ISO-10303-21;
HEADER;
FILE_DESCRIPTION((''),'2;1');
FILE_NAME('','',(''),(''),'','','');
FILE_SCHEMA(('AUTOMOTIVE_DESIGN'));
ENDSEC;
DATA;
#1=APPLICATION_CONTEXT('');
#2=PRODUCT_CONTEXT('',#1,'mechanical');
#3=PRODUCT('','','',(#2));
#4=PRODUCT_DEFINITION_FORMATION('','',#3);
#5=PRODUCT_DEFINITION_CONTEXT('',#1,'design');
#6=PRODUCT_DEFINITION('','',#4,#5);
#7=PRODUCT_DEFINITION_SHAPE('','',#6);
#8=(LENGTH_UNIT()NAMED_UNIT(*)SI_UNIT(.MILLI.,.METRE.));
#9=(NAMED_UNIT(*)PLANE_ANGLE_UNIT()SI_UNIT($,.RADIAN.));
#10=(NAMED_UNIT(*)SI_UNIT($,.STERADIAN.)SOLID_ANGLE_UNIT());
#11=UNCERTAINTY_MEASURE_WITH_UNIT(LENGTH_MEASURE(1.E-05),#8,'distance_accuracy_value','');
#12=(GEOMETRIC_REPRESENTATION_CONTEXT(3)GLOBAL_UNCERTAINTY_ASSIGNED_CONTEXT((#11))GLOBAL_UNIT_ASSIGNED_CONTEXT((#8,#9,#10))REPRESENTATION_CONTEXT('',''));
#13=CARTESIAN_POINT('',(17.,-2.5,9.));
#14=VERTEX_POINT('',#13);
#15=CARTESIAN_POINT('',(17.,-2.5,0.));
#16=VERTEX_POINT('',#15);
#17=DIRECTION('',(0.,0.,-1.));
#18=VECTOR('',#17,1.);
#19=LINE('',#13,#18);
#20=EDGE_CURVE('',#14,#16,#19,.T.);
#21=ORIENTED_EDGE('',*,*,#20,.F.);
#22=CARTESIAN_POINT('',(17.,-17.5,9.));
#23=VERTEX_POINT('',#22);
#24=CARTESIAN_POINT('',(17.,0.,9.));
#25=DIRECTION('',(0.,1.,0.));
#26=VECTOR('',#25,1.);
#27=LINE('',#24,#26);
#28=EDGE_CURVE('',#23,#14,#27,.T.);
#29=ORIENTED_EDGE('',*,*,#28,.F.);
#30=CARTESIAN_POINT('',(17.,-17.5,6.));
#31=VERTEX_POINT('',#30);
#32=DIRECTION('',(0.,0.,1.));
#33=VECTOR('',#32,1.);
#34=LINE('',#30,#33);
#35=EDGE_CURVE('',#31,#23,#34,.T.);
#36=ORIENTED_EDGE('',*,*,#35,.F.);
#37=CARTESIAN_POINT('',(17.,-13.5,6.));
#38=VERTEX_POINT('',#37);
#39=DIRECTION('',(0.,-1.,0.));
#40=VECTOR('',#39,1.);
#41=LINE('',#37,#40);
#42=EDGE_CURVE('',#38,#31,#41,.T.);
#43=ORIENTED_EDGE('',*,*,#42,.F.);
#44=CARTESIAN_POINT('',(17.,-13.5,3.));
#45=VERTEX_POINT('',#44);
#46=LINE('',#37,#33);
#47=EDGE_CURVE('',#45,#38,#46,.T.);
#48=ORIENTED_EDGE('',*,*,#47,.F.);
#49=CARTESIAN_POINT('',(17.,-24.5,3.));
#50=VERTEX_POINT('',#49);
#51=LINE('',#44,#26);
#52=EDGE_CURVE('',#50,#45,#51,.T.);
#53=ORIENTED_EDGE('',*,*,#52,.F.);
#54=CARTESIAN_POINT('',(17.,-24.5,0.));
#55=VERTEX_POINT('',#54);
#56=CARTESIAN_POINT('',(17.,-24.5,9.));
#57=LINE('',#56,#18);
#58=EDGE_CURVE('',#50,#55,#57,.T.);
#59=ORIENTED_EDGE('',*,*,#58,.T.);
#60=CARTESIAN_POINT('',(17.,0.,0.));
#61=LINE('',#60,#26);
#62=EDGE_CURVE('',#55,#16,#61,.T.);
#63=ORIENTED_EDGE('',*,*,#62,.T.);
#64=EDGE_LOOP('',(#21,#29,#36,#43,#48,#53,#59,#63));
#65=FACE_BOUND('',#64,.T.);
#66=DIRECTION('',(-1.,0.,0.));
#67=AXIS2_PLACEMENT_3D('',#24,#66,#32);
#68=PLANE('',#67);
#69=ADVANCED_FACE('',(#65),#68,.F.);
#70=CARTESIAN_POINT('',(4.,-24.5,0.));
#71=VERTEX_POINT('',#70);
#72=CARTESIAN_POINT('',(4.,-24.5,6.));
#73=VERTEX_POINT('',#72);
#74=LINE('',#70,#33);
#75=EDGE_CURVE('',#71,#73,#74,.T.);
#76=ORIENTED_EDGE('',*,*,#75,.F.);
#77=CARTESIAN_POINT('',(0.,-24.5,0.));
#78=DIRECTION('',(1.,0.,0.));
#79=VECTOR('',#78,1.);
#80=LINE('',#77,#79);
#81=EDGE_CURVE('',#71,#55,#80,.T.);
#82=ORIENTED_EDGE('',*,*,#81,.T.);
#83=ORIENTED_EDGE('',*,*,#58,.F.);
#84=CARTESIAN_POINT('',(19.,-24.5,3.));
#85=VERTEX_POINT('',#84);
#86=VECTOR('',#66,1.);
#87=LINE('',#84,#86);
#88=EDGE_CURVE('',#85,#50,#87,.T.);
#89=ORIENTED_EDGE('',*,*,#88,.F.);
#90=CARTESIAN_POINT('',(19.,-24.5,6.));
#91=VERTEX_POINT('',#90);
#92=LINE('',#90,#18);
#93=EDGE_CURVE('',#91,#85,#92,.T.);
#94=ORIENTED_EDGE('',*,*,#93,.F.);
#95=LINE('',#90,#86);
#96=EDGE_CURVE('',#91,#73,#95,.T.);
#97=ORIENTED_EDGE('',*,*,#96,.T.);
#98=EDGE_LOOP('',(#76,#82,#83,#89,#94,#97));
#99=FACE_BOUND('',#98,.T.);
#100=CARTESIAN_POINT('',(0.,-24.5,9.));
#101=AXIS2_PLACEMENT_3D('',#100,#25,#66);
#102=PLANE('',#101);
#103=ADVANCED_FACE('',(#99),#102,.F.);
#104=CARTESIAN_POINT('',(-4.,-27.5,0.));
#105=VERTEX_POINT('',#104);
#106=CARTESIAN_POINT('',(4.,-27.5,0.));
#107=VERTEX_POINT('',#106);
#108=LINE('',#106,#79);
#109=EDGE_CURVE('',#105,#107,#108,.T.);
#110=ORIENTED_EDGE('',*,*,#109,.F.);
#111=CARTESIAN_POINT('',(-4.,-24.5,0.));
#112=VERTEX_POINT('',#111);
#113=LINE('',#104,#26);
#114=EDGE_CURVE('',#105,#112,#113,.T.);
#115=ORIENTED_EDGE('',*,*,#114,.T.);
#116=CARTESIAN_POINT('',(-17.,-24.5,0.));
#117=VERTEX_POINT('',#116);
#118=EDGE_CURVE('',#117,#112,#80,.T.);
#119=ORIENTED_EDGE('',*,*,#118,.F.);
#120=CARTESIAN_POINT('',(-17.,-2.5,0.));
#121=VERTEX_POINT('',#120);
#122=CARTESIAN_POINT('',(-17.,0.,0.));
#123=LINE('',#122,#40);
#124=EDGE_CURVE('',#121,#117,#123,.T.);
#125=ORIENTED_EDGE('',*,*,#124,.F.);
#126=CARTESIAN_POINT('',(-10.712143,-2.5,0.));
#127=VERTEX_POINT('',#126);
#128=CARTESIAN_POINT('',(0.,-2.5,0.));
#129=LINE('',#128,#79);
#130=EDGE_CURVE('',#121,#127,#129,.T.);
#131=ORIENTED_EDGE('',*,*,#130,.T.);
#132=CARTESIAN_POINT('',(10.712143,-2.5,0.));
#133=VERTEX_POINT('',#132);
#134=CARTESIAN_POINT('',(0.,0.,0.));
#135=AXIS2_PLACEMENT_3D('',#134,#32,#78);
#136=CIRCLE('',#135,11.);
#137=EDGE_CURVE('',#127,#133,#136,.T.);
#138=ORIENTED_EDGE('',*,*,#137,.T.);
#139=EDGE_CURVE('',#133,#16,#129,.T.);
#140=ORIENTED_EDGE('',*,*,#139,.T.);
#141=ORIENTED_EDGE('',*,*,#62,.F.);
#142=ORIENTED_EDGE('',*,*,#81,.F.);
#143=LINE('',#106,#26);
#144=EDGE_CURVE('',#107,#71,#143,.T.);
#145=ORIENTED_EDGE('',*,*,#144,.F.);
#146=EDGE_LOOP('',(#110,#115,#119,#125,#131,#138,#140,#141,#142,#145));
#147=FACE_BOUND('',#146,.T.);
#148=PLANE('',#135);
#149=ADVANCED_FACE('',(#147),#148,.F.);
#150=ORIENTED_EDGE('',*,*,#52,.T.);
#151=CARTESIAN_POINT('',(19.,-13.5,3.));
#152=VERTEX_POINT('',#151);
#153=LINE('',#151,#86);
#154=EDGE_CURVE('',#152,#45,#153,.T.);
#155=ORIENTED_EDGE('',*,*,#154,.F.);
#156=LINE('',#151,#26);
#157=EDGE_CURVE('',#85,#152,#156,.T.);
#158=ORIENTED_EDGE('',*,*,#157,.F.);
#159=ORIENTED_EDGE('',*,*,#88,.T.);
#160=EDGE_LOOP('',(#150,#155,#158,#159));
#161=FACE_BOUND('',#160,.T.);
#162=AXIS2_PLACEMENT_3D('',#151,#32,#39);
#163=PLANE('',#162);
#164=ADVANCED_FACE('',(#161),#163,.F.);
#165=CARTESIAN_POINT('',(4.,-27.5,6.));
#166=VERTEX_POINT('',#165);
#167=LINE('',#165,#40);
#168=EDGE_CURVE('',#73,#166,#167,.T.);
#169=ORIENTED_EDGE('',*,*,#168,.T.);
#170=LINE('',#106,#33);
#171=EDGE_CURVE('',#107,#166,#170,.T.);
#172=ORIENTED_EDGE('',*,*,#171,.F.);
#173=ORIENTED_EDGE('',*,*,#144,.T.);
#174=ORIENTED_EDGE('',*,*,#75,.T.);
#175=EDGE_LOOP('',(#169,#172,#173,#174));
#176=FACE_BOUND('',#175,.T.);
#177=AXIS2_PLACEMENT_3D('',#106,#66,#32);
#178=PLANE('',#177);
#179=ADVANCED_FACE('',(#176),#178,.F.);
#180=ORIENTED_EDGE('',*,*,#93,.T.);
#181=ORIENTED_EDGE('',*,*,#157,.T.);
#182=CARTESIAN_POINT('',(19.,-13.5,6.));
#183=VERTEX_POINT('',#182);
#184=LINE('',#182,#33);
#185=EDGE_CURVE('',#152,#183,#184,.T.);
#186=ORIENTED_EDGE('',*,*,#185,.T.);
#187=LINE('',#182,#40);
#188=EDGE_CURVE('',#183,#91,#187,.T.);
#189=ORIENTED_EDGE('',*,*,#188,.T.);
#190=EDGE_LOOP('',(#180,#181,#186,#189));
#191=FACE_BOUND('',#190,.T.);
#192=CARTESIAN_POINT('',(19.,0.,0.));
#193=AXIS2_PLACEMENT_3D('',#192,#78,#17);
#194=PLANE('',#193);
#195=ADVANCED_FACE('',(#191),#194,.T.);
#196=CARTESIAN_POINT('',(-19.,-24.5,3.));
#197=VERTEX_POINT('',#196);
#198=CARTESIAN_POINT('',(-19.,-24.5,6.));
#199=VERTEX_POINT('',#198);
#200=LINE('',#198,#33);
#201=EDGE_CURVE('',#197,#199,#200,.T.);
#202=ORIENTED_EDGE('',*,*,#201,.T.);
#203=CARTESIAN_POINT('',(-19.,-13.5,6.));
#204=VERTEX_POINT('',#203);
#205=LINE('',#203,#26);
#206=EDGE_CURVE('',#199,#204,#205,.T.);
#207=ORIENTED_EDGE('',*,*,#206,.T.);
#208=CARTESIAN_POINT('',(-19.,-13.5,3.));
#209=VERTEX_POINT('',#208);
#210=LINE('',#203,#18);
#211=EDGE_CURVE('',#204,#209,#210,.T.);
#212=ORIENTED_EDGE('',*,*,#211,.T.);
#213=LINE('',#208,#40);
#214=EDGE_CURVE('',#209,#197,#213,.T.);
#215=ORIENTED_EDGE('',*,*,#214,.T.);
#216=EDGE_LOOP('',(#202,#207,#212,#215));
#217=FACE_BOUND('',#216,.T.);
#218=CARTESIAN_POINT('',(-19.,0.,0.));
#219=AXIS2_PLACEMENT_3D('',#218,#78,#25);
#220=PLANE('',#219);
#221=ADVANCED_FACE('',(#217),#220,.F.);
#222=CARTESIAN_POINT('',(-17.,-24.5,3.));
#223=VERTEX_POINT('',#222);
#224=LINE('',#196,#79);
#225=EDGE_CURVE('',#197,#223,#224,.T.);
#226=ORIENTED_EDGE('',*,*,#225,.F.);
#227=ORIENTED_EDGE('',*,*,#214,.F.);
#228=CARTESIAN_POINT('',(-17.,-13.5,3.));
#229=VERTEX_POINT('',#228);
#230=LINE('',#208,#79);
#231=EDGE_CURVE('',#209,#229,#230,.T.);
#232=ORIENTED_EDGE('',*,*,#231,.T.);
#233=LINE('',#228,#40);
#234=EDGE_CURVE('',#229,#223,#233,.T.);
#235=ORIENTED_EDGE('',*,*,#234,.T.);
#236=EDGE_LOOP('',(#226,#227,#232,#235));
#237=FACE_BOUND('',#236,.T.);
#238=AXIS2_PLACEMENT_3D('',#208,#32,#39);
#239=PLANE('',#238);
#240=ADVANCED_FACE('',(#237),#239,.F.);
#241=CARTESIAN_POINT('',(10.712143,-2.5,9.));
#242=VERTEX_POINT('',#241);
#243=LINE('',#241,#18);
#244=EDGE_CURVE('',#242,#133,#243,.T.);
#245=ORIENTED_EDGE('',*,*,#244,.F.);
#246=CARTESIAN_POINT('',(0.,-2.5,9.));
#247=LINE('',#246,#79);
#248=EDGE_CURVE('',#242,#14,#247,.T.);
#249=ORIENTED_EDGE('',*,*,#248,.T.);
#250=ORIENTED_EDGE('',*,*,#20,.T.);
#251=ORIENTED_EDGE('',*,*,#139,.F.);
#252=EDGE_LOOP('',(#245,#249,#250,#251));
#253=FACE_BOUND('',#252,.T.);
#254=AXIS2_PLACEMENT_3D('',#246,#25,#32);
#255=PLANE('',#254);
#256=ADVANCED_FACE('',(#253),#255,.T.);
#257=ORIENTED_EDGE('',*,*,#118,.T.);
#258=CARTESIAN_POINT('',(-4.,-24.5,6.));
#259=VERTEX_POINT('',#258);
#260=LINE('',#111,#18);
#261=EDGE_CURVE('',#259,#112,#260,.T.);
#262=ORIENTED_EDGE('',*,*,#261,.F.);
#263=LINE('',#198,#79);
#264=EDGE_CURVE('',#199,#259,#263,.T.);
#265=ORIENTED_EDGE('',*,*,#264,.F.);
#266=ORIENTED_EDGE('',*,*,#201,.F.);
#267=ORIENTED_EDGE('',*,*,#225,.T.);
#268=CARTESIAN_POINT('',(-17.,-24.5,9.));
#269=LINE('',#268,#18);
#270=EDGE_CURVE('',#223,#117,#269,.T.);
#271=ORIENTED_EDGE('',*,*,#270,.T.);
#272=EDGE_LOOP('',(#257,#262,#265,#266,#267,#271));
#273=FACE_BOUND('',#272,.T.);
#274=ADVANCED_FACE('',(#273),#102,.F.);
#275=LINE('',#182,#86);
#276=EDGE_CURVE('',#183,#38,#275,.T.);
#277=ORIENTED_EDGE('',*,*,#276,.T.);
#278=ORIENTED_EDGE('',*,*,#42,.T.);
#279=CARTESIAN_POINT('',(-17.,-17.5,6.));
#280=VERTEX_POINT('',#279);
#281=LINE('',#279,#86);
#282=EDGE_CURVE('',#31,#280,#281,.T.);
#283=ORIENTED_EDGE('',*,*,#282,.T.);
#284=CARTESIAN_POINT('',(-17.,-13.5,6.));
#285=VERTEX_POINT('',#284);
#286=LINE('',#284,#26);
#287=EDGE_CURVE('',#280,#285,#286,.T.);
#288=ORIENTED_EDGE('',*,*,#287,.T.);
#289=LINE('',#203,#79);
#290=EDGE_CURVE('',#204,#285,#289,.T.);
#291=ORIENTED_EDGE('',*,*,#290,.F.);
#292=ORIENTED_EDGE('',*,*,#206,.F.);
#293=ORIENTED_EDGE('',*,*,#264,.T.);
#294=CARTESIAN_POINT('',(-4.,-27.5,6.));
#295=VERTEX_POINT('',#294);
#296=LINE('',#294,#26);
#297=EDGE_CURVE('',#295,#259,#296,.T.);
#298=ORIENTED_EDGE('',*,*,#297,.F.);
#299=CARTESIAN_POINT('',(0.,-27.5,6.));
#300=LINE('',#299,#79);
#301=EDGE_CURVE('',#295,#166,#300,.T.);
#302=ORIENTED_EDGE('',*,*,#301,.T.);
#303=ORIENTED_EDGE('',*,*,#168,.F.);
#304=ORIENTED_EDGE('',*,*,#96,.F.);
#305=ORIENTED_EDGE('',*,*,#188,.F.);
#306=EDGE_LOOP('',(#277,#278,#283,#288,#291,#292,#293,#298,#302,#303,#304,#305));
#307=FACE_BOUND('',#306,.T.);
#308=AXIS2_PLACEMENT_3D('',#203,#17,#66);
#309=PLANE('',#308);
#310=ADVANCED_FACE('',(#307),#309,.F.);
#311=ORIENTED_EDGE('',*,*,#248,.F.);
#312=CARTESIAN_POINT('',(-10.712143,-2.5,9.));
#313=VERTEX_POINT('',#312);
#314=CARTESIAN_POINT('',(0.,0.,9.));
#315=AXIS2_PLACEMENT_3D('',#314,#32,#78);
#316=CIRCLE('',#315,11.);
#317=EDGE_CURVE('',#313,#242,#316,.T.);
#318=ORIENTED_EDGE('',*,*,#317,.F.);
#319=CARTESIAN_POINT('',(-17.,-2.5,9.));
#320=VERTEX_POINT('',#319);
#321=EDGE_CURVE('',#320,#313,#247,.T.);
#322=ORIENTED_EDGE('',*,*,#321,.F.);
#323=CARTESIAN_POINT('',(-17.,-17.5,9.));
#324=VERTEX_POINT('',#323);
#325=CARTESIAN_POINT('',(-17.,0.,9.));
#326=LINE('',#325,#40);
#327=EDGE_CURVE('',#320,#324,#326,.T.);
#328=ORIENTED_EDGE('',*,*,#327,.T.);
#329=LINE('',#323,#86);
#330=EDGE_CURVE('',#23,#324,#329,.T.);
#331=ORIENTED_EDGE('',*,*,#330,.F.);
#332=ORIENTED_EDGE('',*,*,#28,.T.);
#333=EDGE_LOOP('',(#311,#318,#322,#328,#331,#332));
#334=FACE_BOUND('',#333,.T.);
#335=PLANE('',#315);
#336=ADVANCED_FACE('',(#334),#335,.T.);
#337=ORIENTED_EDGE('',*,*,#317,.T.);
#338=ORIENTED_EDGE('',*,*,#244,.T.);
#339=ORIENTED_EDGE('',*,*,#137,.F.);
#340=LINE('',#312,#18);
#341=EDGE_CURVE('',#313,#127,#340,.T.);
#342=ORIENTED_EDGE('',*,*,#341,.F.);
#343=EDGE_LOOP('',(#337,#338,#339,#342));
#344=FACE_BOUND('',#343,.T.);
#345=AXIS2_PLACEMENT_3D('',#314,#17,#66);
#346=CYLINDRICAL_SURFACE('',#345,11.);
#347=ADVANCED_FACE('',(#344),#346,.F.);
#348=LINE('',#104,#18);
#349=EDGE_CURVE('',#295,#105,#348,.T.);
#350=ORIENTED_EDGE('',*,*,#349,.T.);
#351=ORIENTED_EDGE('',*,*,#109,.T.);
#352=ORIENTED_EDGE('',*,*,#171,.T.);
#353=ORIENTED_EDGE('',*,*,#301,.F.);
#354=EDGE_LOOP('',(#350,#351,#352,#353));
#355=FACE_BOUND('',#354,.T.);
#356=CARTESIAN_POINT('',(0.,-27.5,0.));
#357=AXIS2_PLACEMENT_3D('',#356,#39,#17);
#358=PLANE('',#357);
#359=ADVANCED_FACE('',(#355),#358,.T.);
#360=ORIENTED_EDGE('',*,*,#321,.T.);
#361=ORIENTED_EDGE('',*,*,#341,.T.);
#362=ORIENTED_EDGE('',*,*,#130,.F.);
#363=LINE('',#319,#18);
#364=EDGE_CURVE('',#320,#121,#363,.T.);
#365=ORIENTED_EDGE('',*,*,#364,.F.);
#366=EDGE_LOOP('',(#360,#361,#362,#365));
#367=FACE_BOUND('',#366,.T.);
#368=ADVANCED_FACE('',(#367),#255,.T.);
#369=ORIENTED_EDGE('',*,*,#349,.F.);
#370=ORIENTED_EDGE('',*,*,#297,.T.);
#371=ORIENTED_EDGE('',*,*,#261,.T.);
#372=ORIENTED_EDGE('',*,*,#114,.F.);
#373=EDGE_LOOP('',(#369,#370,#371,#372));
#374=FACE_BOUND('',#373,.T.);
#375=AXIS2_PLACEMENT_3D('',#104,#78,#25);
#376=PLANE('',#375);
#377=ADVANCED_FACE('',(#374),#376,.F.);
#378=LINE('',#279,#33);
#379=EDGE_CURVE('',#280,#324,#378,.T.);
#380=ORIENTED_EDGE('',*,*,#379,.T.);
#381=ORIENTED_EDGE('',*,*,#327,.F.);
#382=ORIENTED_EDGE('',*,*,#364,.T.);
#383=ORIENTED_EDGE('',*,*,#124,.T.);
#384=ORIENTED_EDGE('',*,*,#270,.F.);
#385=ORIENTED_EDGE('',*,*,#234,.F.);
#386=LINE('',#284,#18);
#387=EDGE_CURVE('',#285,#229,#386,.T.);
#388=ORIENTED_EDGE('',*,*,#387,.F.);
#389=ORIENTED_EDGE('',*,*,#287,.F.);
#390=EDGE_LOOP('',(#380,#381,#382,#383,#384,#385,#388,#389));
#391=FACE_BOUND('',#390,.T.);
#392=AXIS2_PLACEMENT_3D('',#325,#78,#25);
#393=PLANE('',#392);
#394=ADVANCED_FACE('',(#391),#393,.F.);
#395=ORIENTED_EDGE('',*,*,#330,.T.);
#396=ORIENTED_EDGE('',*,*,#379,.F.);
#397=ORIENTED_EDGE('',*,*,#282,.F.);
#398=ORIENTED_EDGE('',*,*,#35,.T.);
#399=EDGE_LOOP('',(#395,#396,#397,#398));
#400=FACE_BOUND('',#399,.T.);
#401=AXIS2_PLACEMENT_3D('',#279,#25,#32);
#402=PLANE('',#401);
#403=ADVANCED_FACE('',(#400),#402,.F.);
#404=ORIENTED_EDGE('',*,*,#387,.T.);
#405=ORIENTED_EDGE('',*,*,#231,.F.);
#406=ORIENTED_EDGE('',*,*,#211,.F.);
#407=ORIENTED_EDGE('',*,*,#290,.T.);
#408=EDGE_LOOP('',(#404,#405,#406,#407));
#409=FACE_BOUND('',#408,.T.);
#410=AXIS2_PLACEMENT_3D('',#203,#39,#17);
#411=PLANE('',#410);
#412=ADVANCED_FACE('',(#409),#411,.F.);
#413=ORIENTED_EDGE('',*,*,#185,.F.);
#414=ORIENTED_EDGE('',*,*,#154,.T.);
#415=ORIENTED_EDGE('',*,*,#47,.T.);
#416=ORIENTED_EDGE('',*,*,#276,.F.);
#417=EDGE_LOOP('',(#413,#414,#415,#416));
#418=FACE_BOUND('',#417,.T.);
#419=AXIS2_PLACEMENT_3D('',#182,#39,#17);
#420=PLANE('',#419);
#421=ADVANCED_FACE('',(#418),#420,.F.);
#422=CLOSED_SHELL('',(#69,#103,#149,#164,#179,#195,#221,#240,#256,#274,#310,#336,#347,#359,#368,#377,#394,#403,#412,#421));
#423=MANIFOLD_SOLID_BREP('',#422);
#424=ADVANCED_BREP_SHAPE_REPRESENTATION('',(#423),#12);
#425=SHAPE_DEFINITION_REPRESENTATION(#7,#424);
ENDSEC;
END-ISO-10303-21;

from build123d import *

# Parameters (mm, degrees)
BOSS_EXTRUDE1_DEPTH = 9
SKETCH2_W           = 8
SKETCH2_H           = 9
BOSS_EXTRUDE2_DEPTH = 3
SKETCH3_W           = 3
SKETCH3_H           = 11
BOSS_EXTRUDE3_DEPTH = 2
SKETCH4_W           = 3
SKETCH4_H           = 11
BOSS_EXTRUDE4_DEPTH = 2
SKETCH6_W           = 34
SKETCH6_H           = 10
CUT_EXTRUDE2_DEPTH  = 3


with BuildPart() as part:
    # Sketch1 → Boss-Extrude1 (new body)
    with BuildSketch(Plane.XY):
        with BuildLine():
            Line((-10.712142643, -2.5), (-17, -2.5))
            Line((-17, -2.5), (-17, -24.5))
            Line((-17, -24.5), (17, -24.5))
            Line((17, -24.5), (17, -2.5))
            Line((17, -2.5), (10.712142643, -2.5))
            ThreePointArc((10.712142643, -2.5), (0, -11), (-10.712142643, -2.5))
        make_face()
    extrude(amount=BOSS_EXTRUDE1_DEPTH)

    # Sketch2 → Boss-Extrude2 (add)
    with BuildSketch(Plane.XZ.offset(24.5)):
        with Locations((0, 4.5)):
            Rectangle(SKETCH2_W, SKETCH2_H)
    extrude(amount=BOSS_EXTRUDE2_DEPTH)

    # Sketch3 → Boss-Extrude3 (add)
    with BuildSketch(Plane.ZY.offset(17)):
        with Locations((4.5, -19)):
            Rectangle(SKETCH3_W, SKETCH3_H)
    extrude(amount=BOSS_EXTRUDE3_DEPTH)

    # Sketch4 → Boss-Extrude4 (add)
    with BuildSketch(Plane(origin=(17, 0, 0), x_dir=(0, 0, -1), z_dir=(1, 0, 0))):
        with Locations((-4.5, -19)):
            Rectangle(SKETCH4_W, SKETCH4_H)
    extrude(amount=BOSS_EXTRUDE4_DEPTH)

    # Sketch6 → Cut-Extrude2 (cut)
    with BuildSketch(Plane.XY.offset(9)):
        with Locations((0, -22.5)):
            Rectangle(SKETCH6_W, SKETCH6_H)
    extrude(amount=-CUT_EXTRUDE2_DEPTH, mode=Mode.SUBTRACT)


solid = part.part
